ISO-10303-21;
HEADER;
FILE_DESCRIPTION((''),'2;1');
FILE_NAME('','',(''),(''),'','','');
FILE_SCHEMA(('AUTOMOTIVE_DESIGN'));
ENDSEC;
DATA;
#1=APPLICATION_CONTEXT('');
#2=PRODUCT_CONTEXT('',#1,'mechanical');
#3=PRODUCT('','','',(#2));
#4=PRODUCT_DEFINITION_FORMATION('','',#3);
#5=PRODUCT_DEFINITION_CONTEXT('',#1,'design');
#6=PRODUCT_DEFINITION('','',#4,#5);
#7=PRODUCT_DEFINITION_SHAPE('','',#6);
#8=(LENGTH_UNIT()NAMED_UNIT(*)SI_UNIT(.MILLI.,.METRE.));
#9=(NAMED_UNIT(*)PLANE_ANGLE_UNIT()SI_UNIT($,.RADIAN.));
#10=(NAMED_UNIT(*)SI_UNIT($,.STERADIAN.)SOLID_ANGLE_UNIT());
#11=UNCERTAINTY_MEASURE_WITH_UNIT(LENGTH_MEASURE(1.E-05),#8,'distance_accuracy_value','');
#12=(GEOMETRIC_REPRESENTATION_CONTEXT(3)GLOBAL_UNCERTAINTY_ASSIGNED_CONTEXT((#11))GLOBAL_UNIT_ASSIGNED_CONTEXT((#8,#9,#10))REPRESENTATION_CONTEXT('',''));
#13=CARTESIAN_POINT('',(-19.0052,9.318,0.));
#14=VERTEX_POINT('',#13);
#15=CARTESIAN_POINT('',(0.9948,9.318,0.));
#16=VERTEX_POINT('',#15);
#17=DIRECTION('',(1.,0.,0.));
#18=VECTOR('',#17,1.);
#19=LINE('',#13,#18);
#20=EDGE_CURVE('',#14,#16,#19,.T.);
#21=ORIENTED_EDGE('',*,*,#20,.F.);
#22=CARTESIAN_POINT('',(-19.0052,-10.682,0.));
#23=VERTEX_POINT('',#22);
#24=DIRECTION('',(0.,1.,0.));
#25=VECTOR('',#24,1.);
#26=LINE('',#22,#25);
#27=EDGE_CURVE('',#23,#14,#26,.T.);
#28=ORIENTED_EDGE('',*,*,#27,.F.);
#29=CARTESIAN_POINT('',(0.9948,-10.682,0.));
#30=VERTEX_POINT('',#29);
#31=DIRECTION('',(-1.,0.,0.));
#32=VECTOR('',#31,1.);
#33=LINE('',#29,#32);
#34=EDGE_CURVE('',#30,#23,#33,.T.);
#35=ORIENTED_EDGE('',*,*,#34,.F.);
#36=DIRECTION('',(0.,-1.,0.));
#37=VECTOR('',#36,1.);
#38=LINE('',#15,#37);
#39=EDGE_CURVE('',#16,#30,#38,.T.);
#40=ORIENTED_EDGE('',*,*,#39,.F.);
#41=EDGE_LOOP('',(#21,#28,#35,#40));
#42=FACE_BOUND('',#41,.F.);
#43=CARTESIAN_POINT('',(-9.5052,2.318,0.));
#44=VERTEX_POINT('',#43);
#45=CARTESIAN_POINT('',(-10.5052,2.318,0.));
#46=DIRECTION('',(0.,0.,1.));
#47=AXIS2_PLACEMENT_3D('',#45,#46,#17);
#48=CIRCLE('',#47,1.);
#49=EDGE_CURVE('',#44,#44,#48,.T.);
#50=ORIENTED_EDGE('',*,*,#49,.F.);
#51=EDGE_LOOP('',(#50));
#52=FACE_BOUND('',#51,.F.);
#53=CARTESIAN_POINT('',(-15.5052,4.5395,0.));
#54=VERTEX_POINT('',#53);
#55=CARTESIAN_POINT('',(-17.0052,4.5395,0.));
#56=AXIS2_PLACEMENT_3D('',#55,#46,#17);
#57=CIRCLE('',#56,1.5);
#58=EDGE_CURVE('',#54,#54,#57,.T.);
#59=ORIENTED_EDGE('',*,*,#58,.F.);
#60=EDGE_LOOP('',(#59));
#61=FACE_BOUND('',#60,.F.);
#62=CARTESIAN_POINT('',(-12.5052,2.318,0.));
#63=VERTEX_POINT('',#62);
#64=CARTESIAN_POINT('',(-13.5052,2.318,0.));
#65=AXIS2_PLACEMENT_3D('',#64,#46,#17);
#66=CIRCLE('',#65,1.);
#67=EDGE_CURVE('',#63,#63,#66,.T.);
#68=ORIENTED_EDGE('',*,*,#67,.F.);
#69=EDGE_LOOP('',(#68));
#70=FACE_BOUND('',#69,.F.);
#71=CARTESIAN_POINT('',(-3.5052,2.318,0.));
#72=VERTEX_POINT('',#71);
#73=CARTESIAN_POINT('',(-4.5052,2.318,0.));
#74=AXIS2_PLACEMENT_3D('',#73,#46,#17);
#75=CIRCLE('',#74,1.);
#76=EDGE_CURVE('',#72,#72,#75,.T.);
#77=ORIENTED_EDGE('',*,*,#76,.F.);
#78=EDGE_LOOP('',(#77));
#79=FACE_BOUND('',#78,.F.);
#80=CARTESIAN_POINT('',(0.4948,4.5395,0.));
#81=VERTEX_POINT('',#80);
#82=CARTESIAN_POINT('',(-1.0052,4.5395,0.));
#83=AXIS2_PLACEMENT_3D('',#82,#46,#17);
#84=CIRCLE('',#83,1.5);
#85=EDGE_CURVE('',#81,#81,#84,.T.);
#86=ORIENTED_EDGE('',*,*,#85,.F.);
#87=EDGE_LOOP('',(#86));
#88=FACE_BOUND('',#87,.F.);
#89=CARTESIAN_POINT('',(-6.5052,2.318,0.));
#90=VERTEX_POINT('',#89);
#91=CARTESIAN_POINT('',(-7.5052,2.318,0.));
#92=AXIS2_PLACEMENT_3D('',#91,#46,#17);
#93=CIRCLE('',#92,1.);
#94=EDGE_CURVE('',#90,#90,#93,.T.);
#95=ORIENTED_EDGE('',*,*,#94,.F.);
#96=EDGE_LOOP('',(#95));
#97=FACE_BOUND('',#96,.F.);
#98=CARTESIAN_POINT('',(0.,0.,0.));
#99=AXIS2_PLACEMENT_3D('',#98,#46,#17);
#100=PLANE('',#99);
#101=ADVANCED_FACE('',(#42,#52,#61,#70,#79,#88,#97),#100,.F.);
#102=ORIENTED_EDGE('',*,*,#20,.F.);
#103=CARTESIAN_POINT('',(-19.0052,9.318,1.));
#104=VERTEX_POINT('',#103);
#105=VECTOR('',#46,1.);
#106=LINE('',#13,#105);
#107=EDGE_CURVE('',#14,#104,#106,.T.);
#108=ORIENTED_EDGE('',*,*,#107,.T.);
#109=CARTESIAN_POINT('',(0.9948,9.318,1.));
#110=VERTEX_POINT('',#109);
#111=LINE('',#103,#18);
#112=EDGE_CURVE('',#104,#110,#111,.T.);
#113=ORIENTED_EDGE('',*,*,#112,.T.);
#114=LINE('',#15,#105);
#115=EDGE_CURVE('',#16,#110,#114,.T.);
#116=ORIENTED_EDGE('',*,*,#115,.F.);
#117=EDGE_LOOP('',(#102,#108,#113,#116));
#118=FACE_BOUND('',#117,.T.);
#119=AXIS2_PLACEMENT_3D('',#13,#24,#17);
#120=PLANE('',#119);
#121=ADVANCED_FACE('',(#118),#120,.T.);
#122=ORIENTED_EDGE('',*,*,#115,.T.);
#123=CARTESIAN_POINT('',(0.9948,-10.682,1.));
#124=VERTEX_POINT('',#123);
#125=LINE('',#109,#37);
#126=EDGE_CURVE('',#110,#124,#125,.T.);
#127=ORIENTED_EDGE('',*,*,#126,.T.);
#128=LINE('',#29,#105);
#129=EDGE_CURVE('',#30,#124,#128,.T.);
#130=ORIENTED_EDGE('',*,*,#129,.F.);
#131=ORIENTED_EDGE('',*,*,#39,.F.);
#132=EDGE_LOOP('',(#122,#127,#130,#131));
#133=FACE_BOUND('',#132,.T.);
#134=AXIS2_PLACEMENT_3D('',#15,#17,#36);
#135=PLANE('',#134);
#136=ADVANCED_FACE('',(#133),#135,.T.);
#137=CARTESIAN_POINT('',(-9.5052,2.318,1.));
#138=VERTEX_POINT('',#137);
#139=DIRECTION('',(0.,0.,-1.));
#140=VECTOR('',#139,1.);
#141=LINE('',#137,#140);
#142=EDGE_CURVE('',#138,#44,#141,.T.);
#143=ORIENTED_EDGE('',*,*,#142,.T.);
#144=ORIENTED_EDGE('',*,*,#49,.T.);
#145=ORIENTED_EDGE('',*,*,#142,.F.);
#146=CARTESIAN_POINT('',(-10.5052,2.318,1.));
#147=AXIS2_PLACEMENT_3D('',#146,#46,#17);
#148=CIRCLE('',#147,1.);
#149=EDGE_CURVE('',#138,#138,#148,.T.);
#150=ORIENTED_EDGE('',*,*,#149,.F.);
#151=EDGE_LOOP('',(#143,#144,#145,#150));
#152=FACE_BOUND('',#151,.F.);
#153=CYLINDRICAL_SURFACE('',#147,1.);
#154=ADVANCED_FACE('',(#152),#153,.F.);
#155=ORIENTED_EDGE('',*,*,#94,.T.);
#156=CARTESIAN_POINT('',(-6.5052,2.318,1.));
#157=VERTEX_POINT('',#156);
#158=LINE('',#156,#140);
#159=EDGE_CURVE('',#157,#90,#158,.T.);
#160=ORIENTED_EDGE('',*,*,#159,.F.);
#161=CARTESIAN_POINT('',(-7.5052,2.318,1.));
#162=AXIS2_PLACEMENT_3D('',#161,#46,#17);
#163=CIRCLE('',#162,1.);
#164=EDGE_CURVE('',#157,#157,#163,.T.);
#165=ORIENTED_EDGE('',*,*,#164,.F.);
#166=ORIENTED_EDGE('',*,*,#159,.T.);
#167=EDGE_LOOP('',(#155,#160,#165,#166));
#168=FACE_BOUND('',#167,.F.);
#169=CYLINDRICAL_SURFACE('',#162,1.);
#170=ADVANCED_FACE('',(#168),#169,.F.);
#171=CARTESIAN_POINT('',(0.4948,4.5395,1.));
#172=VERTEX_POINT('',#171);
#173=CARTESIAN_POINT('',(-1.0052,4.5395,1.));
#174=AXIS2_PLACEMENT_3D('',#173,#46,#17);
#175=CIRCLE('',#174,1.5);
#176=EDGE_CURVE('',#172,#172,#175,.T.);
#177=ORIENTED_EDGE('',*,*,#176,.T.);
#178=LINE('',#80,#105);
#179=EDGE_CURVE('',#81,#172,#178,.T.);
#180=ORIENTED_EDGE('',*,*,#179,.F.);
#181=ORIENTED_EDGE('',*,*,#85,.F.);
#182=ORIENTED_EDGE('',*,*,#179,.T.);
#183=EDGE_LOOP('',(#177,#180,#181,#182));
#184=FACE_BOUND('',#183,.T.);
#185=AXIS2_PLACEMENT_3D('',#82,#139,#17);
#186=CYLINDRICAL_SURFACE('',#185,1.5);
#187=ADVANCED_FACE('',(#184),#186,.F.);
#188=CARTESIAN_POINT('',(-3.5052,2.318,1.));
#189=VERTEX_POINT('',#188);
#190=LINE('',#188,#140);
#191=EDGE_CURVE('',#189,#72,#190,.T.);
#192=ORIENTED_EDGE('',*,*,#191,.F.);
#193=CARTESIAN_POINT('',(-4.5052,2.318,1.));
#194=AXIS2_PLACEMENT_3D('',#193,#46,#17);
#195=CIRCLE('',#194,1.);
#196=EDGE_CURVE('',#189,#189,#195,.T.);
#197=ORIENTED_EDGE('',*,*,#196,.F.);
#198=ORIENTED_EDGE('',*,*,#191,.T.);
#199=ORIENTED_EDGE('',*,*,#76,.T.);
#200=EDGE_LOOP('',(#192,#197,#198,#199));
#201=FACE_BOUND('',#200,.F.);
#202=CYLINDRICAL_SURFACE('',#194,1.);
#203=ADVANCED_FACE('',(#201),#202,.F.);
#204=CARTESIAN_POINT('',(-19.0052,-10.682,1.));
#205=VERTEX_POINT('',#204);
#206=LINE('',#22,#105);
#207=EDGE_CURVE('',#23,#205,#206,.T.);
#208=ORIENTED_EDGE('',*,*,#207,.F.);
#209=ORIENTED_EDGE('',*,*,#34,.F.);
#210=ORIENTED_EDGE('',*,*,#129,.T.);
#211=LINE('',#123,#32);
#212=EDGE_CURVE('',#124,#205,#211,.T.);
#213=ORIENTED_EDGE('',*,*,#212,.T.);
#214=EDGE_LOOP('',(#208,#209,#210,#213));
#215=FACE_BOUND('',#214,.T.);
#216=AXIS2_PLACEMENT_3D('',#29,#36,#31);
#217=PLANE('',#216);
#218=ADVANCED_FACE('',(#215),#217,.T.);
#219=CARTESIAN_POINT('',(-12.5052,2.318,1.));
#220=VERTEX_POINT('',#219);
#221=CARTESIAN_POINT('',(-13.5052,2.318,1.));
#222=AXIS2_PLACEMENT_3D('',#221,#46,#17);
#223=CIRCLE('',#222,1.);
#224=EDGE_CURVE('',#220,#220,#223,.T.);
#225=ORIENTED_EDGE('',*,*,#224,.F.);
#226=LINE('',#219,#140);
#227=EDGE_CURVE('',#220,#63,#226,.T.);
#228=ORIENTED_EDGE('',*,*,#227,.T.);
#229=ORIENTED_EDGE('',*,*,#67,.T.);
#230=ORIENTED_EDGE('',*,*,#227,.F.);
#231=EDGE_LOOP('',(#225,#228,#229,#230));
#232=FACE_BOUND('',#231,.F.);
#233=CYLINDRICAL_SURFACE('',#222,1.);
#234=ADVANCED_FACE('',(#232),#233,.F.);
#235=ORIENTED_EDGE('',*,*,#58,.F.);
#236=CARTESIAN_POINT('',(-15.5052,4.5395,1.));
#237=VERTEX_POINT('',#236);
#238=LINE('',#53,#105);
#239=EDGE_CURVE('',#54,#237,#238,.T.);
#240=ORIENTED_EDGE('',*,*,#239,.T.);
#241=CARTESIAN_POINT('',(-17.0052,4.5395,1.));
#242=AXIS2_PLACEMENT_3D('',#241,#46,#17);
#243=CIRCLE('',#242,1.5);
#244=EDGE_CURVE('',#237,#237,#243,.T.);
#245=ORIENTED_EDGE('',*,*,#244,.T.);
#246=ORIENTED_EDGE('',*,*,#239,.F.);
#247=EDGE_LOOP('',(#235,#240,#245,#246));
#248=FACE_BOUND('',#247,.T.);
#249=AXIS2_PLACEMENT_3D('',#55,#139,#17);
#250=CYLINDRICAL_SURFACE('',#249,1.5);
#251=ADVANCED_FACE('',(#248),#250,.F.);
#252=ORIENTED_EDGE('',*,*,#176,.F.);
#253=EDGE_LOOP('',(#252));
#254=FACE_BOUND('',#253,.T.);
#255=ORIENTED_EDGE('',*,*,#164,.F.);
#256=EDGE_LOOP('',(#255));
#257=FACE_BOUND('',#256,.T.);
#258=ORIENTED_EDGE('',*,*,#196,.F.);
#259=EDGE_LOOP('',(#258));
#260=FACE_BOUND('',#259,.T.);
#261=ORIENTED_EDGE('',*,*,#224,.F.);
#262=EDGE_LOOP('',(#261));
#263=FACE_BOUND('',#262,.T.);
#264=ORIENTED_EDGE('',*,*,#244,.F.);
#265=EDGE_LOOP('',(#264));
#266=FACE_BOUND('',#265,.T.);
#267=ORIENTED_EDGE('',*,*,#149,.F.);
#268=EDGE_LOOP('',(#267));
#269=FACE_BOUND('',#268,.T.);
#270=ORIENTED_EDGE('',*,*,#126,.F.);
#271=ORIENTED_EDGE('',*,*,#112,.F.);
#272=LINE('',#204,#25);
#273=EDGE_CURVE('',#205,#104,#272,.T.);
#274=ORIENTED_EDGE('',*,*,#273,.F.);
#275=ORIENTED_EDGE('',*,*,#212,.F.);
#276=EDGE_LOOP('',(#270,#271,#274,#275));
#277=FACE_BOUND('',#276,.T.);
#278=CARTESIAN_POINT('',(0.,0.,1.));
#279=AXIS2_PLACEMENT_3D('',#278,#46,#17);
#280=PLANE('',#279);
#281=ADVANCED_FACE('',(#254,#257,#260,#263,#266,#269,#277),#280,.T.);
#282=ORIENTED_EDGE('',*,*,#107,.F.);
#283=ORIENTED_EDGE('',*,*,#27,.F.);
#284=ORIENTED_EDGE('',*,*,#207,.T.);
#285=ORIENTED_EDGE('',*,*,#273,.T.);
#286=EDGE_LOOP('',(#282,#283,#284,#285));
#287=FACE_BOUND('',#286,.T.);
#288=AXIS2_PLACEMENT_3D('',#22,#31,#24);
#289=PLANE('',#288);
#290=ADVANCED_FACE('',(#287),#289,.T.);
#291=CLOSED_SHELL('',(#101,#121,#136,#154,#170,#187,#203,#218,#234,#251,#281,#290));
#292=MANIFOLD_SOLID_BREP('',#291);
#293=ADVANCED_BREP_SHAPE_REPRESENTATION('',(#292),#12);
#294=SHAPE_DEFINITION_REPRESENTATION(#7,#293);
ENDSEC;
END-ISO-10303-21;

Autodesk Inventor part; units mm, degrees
ref_plane "YZ Plane" through (0, 0, 0) normal (1, 0, 0) x (0, 1, 0)
ref_plane "XZ Plane" through (0, 0, 0) normal (0, 1, 0) x (-1, 0, 0)
ref_plane "XY Plane" through (0, 0, 0) normal (0, 0, 1) x (1, 0, 0)
sketch "Sketch1" plane through (0, 0, 0) normal (0, 0, 1) x (1, 0, 0)
  line L0 (-19.0052, 9.318) -> (0.9948, 9.318)
  line L1 (0.9948, 9.318) -> (0.9948, -10.682)
  line L2 (0.9948, -10.682) -> (-19.0052, -10.682)
  line L3 (-19.0052, -10.682) -> (-19.0052, 9.318)
  circle A0 centre (-17.0052, 4.5395) radius 1.5
  circle A1 centre (-1.0052, 4.5395) radius 1.5
  dimension "d1" = 20
  dimension "d2" = 20
  dimension "d3" = 3
  dimension "d4" = 2
extrude "Extrusion1" add sketch "Sketch1" along normal blind 1
sketch "Sketch2" plane through (0, 0, 1) normal (0, 0, 1) x (1, 0, 0)
  circle A0 centre (-13.5052, 2.318) radius 1
  circle A1 centre (-10.5052, 2.318) radius 1
  circle A2 centre (-17.0052, 4.5395) radius 1.5 projected
  circle A3 centre (-1.0052, 4.5395) radius 1.5 projected
  line L0 (0.9948, 9.318) -> (-19.0052, 9.318) projected
  line L1 (-9.0052, 9.318) -> (-9.0052, -10.5627)
  circle A4 centre (-4.5052, 2.318) radius 1
  circle A5 centre (-7.5052, 2.318) radius 1
  point P0 (0, 0)
  point P1 (-12.2352, 2.318)
  point P2 (-5.7752, 2.318)
  dimension "d7" = 2
  dimension "d8" = 2
  dimension "d11" = 3
  dimension "d14" = 3.5
  dimension "d19" = 7
  dimension "d21" = 7
extrude "Extrusion2" cut sketch "Sketch2" against normal blind 10 contours A0 | A1 | A4 | A5
properties part number "PCB USB-B Hembra"
